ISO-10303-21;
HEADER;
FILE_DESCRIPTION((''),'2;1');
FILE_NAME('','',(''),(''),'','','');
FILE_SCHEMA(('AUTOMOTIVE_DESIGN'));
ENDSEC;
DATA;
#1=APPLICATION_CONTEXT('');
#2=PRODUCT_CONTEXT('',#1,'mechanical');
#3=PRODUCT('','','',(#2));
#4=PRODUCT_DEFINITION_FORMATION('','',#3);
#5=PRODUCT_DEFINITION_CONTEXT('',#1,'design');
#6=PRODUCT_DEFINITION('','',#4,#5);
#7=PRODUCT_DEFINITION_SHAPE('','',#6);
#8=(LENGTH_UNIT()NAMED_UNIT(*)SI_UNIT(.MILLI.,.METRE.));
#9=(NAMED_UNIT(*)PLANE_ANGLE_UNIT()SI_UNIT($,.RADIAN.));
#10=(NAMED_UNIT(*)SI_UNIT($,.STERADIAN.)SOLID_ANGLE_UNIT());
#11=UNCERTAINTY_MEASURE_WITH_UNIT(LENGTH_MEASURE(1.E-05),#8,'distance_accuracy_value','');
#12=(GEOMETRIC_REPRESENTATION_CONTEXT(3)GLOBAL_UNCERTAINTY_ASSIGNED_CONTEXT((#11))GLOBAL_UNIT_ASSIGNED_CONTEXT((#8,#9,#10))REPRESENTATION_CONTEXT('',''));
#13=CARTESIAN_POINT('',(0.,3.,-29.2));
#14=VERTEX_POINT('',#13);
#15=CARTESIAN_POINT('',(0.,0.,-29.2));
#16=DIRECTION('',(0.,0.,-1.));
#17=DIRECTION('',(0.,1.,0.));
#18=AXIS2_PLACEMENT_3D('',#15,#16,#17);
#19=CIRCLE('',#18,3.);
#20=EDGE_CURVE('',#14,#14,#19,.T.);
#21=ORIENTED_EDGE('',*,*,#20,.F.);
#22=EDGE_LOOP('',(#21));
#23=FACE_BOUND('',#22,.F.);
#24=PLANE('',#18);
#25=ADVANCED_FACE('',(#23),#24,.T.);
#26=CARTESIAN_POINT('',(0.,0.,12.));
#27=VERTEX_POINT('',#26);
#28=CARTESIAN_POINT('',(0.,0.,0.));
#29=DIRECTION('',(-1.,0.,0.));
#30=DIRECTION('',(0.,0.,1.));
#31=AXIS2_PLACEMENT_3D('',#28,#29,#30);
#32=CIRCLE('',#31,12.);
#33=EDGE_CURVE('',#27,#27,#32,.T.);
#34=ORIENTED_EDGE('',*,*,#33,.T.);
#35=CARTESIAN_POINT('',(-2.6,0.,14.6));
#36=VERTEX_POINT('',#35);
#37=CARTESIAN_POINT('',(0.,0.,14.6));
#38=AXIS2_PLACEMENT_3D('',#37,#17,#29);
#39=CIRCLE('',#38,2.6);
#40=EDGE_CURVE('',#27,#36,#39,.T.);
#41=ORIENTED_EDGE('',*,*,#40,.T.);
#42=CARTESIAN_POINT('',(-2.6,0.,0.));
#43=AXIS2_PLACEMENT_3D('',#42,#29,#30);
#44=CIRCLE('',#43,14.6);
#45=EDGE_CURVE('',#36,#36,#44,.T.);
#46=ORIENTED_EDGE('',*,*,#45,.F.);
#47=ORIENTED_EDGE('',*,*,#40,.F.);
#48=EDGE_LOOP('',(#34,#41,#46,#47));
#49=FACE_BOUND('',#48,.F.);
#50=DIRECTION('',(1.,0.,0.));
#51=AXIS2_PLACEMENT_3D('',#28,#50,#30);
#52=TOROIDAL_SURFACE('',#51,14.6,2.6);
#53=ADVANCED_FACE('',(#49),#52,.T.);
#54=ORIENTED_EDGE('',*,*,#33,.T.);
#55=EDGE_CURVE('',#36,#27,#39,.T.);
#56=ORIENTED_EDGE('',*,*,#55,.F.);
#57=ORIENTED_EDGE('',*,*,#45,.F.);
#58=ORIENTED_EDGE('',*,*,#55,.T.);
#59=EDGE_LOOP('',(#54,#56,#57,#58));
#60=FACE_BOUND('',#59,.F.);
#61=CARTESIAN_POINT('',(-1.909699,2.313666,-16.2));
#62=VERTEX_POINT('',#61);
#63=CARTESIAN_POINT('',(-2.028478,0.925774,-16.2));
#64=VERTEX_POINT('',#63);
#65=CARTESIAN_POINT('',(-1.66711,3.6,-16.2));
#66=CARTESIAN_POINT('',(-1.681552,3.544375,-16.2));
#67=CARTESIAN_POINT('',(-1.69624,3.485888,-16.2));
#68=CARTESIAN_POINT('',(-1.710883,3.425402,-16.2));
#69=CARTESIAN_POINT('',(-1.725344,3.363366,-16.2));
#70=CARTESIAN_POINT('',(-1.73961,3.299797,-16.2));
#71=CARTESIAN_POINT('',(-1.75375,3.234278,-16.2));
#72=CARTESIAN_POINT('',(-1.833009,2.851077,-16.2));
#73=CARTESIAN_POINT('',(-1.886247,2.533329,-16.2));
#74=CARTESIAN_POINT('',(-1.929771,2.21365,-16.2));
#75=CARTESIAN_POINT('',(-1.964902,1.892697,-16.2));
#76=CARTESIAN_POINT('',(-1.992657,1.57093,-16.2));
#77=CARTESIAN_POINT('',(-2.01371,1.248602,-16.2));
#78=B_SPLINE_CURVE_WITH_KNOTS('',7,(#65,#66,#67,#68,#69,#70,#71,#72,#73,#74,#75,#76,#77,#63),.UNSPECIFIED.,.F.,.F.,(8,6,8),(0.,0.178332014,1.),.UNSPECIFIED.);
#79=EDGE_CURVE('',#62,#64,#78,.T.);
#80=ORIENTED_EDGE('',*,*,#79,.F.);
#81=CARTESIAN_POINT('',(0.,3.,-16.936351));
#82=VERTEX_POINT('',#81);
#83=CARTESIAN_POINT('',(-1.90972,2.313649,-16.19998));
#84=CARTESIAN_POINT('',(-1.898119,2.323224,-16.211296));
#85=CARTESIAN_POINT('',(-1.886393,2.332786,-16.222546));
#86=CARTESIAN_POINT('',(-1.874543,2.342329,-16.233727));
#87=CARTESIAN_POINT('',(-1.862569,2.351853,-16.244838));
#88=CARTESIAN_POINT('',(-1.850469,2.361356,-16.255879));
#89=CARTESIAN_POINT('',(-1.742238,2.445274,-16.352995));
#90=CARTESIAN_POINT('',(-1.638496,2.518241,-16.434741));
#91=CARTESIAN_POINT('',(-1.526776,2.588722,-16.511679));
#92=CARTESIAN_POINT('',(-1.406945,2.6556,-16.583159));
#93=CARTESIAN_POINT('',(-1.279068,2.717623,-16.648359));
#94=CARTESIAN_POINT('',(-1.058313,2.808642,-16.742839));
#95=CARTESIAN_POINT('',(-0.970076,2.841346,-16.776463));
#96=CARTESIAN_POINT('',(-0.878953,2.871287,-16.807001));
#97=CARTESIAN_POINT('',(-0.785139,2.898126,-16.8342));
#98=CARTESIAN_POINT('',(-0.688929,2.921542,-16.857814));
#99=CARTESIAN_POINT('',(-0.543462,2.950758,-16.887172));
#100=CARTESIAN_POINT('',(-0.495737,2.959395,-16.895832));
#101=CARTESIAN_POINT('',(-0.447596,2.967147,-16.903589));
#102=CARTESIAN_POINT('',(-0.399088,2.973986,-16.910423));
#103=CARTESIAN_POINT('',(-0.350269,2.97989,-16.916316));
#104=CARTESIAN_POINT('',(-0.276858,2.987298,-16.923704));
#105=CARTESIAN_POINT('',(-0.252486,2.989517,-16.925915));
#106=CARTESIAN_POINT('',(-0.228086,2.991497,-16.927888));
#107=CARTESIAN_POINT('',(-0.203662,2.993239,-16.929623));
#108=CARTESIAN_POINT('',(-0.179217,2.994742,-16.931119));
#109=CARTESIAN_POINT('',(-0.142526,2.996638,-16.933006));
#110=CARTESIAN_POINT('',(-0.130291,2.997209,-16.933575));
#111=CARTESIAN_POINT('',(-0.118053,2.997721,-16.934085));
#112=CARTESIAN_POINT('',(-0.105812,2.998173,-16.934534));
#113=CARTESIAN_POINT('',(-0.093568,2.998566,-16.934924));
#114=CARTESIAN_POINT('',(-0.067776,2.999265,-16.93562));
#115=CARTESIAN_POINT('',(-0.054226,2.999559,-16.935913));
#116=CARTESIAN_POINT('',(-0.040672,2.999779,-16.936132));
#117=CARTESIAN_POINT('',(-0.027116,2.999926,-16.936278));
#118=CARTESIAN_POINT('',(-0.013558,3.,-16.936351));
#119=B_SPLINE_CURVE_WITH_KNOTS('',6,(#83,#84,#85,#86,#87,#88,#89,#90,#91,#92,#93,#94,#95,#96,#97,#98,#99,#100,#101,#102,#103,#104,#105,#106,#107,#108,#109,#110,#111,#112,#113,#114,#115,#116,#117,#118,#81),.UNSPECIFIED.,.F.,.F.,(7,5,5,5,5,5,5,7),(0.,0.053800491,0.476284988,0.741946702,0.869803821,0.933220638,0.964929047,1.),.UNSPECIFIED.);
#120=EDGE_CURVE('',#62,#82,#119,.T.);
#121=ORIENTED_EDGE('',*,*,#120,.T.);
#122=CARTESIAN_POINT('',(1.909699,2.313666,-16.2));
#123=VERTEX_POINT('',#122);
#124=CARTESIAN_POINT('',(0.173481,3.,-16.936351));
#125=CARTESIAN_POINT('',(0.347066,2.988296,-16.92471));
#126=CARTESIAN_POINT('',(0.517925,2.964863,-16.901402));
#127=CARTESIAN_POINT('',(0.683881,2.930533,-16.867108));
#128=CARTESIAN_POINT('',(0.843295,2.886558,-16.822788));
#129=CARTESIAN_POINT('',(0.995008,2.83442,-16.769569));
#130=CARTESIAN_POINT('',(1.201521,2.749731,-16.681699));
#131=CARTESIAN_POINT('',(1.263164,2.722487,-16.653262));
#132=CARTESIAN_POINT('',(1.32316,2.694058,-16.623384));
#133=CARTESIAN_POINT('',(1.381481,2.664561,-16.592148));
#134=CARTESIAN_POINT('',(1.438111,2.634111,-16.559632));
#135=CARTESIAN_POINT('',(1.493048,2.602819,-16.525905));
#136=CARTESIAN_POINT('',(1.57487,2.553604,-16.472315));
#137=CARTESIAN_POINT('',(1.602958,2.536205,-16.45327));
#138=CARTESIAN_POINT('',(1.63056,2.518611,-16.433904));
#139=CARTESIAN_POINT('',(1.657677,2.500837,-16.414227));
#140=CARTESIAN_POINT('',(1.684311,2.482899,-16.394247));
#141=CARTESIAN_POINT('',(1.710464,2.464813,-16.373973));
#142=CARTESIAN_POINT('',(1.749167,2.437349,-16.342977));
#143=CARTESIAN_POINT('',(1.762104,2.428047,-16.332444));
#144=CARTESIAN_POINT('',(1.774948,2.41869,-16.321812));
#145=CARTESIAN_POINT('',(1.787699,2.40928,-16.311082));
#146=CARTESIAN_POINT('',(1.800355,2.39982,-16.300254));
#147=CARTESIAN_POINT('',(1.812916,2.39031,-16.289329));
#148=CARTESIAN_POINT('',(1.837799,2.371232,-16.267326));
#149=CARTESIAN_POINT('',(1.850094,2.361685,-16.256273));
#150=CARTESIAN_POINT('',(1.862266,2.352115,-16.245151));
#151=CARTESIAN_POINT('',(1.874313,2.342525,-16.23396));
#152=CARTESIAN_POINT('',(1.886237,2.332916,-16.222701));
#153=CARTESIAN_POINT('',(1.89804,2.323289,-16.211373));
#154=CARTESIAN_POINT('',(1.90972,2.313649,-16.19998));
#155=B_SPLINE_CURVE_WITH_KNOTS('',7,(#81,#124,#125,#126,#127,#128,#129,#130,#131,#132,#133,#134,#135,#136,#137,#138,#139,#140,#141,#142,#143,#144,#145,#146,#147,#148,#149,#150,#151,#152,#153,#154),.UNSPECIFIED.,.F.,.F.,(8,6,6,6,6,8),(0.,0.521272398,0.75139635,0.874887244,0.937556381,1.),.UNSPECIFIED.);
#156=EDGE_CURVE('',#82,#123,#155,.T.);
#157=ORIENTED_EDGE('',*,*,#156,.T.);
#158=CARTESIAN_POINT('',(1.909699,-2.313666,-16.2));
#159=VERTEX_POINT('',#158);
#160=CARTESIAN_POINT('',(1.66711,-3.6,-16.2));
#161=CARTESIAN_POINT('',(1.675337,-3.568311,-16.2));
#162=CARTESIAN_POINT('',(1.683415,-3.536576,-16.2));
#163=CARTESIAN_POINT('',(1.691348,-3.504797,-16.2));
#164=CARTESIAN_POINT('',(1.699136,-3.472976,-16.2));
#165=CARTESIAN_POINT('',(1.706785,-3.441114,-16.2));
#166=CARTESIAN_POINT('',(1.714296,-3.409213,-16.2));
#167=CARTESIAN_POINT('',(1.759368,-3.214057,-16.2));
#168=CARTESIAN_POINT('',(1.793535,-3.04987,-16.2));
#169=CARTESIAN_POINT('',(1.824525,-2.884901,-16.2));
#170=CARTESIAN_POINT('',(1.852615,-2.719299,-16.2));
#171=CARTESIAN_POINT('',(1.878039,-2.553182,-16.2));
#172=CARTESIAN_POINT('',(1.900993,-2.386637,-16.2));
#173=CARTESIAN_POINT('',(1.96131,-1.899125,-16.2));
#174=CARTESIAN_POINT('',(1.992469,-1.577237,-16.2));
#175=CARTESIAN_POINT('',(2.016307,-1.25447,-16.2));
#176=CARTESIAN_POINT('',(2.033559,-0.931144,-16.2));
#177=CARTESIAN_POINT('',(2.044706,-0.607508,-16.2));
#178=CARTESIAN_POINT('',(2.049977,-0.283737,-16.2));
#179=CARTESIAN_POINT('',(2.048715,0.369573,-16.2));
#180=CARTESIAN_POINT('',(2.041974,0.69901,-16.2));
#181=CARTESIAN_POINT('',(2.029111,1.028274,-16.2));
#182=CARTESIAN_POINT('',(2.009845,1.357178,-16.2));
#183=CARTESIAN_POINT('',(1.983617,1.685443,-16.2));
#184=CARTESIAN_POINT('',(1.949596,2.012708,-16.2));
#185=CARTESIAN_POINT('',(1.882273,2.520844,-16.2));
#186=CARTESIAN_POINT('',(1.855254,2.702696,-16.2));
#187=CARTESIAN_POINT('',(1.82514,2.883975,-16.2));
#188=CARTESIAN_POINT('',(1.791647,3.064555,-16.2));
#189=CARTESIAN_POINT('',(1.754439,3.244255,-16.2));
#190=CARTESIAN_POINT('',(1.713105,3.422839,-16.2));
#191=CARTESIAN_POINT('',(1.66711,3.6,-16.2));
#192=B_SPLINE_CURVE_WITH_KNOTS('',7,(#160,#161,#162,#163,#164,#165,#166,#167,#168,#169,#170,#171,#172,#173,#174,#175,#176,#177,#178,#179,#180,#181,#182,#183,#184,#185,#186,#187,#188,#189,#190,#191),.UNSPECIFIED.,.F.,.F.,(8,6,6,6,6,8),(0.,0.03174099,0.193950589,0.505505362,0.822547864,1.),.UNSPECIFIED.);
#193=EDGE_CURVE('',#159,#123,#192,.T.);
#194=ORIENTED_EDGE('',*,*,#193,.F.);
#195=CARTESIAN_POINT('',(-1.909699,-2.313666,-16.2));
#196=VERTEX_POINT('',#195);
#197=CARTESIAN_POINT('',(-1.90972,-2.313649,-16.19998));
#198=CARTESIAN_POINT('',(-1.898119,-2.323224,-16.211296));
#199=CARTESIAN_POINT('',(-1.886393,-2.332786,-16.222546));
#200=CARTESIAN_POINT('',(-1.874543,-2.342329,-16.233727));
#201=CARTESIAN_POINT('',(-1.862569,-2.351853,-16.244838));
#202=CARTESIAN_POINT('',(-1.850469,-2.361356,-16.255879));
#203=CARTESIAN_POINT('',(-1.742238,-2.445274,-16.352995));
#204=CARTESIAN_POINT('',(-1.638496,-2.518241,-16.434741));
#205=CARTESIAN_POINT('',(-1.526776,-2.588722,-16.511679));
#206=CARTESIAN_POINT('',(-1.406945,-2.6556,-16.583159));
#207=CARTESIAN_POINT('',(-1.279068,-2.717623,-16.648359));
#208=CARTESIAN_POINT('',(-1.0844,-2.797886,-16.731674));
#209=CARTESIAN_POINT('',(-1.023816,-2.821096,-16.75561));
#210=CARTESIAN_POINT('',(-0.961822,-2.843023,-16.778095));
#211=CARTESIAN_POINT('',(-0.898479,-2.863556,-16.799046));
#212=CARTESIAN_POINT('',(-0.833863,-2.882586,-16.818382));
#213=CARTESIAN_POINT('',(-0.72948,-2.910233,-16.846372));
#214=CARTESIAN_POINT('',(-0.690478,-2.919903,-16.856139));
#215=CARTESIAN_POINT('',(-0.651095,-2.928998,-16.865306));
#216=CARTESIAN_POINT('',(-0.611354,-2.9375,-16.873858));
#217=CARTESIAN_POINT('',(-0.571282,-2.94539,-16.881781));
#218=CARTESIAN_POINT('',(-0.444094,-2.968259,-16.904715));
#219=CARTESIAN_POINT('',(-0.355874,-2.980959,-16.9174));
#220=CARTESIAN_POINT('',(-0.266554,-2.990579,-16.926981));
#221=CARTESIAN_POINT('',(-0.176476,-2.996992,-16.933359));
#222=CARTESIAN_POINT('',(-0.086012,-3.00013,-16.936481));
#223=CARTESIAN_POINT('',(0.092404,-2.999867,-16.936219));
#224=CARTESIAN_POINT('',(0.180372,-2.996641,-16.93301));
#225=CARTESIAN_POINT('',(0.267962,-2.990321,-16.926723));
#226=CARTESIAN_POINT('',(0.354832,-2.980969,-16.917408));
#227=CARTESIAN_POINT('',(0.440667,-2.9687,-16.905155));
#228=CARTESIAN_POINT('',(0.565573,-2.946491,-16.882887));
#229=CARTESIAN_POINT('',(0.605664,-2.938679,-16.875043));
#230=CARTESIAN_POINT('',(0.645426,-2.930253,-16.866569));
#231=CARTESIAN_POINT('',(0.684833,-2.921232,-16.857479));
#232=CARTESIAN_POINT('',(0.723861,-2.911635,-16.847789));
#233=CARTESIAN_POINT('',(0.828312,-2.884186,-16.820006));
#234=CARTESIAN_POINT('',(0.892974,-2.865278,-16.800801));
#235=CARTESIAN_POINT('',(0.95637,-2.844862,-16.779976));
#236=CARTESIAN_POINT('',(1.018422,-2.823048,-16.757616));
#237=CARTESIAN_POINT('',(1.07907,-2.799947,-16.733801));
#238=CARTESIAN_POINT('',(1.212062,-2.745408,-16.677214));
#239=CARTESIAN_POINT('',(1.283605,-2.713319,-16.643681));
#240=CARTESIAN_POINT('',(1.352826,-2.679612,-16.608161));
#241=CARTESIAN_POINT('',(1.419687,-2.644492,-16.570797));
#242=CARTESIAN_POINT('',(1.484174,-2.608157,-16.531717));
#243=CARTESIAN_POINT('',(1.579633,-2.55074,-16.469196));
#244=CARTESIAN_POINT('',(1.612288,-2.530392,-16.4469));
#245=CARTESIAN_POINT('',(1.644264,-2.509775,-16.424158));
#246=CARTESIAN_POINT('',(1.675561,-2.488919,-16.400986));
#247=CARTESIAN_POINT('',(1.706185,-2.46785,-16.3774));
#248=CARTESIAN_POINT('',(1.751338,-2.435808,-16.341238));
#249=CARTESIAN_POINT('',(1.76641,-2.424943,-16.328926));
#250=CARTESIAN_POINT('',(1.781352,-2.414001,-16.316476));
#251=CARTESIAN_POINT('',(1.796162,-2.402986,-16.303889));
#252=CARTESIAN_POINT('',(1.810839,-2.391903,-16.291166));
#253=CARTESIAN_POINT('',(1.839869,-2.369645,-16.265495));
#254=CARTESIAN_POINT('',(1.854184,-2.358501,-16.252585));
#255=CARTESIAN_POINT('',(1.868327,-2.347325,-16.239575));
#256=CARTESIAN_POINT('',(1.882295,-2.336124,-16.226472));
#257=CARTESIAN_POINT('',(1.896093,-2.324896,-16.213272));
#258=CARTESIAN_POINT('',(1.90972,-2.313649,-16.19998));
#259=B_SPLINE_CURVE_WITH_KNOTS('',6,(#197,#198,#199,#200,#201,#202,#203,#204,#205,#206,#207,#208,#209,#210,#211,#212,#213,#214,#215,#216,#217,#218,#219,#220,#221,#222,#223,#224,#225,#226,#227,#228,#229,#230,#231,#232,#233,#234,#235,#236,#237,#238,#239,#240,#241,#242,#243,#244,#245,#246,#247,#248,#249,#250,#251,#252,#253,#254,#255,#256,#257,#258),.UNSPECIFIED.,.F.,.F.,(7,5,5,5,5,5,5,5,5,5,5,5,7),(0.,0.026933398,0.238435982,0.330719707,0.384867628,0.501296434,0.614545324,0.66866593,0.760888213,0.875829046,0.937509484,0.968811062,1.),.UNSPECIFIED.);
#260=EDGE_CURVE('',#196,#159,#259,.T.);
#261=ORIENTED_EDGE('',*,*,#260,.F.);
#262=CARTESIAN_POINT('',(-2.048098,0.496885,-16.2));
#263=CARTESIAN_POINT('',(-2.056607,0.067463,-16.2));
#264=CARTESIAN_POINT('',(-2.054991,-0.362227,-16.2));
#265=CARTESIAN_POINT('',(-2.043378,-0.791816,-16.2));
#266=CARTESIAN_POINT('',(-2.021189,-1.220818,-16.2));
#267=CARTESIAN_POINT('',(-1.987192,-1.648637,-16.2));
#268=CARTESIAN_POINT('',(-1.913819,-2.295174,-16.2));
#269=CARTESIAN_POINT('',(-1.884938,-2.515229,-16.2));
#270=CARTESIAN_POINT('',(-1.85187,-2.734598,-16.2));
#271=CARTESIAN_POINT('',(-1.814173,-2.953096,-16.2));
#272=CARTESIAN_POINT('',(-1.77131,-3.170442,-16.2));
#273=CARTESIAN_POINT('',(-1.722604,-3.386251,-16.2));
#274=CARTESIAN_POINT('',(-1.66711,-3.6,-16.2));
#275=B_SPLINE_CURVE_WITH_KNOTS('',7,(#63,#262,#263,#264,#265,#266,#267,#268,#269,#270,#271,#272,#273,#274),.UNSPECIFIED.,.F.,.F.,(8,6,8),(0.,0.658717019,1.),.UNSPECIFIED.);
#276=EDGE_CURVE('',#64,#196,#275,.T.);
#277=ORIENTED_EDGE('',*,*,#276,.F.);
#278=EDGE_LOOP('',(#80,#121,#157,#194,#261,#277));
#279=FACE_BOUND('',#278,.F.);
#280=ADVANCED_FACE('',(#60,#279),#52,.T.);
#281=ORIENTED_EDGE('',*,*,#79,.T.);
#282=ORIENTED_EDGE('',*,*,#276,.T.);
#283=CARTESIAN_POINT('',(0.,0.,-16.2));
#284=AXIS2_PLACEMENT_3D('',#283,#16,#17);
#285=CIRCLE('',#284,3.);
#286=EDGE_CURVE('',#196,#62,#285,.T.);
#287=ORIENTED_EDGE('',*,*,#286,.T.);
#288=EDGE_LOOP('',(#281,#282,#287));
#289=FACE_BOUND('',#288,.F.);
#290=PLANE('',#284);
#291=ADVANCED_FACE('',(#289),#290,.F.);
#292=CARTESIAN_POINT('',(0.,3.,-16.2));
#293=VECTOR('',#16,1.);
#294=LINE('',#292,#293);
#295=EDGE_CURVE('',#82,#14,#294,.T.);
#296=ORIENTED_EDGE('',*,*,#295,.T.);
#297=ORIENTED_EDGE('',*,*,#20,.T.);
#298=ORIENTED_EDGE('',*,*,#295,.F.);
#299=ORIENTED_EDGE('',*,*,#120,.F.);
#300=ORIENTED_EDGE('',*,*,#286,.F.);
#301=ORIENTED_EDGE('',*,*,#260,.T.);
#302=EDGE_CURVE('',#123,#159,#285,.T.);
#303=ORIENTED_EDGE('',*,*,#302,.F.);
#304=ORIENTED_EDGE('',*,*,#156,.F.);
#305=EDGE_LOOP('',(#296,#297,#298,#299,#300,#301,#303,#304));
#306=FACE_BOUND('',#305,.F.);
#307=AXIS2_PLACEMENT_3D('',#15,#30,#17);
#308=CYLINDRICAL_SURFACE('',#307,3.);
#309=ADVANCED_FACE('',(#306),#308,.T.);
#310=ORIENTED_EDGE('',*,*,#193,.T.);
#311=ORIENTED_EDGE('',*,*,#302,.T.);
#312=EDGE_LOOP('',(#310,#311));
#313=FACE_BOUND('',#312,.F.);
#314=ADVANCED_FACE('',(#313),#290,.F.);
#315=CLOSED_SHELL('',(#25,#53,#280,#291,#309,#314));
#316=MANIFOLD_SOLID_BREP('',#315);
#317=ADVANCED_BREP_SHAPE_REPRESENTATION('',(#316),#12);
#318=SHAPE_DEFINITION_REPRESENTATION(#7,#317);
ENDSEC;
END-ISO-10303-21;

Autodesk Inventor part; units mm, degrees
ref_plane "YZ Plane" through (0, 0, 0) normal (1, 0, 0) x (0, 1, 0)
ref_plane "XZ Plane" through (0, 0, 0) normal (0, 1, 0) x (-1, 0, 0)
sketch "Sketch1" plane through (0, 0, 0) normal (0, 1, 0) x (-1, 0, 0)
  circle A0 centre (0, 14.6) radius 2.6
  line L0 (0, 14.6) -> (0, 0)
  line L1 (0, 0) -> (10, 0)
  line L2 (0, 0) -> (10, 0) construction
  dimension "d0" = 5.2
  dimension "d1" = 14.6
  dimension "d2" = 10
revolve "Revolution1" add sketch "Sketch1" angle 360 about axis through (0, 0, 0) along (-1, 0, 0)
ref_plane "Work Plane1" through (0, 0, 0) normal (-1, 0, 0) x (0, -1, 0)
sketch "Sketch2" plane through (0, 0, 0) normal (-1, 0, 0) x (0, -1, 0)
  circle A0 centre (0, 0) radius 17.2 projected
  line L0 (0, -17.2) -> (0, -29.2)
  line L1 (0, -29.2) -> (-3, -29.2)
  line L2 (-3, -29.2) -> (-3, -16.2)
  line L3 (-3, -16.2) -> (0, -16.2)
  line L4 (0, -16.2) -> (0, -29.2)
  dimension "d5" = 12
  dimension "d6" = 3
  dimension "d7" = 13
revolve "Revolution2" add sketch "Sketch2" angle 360 about axis through (0, 0, -17.2) along (0, 0, -1) picked at (-1.6686, -16.4942) contours L0 L1 L2 A0 | A0 L2 L3 L4
thread "Thread1" size "M6x1" class "6g" standard "ANSI Metric M Profile" full length
properties part number "M6GBTeye" material "Stainless Steel"
